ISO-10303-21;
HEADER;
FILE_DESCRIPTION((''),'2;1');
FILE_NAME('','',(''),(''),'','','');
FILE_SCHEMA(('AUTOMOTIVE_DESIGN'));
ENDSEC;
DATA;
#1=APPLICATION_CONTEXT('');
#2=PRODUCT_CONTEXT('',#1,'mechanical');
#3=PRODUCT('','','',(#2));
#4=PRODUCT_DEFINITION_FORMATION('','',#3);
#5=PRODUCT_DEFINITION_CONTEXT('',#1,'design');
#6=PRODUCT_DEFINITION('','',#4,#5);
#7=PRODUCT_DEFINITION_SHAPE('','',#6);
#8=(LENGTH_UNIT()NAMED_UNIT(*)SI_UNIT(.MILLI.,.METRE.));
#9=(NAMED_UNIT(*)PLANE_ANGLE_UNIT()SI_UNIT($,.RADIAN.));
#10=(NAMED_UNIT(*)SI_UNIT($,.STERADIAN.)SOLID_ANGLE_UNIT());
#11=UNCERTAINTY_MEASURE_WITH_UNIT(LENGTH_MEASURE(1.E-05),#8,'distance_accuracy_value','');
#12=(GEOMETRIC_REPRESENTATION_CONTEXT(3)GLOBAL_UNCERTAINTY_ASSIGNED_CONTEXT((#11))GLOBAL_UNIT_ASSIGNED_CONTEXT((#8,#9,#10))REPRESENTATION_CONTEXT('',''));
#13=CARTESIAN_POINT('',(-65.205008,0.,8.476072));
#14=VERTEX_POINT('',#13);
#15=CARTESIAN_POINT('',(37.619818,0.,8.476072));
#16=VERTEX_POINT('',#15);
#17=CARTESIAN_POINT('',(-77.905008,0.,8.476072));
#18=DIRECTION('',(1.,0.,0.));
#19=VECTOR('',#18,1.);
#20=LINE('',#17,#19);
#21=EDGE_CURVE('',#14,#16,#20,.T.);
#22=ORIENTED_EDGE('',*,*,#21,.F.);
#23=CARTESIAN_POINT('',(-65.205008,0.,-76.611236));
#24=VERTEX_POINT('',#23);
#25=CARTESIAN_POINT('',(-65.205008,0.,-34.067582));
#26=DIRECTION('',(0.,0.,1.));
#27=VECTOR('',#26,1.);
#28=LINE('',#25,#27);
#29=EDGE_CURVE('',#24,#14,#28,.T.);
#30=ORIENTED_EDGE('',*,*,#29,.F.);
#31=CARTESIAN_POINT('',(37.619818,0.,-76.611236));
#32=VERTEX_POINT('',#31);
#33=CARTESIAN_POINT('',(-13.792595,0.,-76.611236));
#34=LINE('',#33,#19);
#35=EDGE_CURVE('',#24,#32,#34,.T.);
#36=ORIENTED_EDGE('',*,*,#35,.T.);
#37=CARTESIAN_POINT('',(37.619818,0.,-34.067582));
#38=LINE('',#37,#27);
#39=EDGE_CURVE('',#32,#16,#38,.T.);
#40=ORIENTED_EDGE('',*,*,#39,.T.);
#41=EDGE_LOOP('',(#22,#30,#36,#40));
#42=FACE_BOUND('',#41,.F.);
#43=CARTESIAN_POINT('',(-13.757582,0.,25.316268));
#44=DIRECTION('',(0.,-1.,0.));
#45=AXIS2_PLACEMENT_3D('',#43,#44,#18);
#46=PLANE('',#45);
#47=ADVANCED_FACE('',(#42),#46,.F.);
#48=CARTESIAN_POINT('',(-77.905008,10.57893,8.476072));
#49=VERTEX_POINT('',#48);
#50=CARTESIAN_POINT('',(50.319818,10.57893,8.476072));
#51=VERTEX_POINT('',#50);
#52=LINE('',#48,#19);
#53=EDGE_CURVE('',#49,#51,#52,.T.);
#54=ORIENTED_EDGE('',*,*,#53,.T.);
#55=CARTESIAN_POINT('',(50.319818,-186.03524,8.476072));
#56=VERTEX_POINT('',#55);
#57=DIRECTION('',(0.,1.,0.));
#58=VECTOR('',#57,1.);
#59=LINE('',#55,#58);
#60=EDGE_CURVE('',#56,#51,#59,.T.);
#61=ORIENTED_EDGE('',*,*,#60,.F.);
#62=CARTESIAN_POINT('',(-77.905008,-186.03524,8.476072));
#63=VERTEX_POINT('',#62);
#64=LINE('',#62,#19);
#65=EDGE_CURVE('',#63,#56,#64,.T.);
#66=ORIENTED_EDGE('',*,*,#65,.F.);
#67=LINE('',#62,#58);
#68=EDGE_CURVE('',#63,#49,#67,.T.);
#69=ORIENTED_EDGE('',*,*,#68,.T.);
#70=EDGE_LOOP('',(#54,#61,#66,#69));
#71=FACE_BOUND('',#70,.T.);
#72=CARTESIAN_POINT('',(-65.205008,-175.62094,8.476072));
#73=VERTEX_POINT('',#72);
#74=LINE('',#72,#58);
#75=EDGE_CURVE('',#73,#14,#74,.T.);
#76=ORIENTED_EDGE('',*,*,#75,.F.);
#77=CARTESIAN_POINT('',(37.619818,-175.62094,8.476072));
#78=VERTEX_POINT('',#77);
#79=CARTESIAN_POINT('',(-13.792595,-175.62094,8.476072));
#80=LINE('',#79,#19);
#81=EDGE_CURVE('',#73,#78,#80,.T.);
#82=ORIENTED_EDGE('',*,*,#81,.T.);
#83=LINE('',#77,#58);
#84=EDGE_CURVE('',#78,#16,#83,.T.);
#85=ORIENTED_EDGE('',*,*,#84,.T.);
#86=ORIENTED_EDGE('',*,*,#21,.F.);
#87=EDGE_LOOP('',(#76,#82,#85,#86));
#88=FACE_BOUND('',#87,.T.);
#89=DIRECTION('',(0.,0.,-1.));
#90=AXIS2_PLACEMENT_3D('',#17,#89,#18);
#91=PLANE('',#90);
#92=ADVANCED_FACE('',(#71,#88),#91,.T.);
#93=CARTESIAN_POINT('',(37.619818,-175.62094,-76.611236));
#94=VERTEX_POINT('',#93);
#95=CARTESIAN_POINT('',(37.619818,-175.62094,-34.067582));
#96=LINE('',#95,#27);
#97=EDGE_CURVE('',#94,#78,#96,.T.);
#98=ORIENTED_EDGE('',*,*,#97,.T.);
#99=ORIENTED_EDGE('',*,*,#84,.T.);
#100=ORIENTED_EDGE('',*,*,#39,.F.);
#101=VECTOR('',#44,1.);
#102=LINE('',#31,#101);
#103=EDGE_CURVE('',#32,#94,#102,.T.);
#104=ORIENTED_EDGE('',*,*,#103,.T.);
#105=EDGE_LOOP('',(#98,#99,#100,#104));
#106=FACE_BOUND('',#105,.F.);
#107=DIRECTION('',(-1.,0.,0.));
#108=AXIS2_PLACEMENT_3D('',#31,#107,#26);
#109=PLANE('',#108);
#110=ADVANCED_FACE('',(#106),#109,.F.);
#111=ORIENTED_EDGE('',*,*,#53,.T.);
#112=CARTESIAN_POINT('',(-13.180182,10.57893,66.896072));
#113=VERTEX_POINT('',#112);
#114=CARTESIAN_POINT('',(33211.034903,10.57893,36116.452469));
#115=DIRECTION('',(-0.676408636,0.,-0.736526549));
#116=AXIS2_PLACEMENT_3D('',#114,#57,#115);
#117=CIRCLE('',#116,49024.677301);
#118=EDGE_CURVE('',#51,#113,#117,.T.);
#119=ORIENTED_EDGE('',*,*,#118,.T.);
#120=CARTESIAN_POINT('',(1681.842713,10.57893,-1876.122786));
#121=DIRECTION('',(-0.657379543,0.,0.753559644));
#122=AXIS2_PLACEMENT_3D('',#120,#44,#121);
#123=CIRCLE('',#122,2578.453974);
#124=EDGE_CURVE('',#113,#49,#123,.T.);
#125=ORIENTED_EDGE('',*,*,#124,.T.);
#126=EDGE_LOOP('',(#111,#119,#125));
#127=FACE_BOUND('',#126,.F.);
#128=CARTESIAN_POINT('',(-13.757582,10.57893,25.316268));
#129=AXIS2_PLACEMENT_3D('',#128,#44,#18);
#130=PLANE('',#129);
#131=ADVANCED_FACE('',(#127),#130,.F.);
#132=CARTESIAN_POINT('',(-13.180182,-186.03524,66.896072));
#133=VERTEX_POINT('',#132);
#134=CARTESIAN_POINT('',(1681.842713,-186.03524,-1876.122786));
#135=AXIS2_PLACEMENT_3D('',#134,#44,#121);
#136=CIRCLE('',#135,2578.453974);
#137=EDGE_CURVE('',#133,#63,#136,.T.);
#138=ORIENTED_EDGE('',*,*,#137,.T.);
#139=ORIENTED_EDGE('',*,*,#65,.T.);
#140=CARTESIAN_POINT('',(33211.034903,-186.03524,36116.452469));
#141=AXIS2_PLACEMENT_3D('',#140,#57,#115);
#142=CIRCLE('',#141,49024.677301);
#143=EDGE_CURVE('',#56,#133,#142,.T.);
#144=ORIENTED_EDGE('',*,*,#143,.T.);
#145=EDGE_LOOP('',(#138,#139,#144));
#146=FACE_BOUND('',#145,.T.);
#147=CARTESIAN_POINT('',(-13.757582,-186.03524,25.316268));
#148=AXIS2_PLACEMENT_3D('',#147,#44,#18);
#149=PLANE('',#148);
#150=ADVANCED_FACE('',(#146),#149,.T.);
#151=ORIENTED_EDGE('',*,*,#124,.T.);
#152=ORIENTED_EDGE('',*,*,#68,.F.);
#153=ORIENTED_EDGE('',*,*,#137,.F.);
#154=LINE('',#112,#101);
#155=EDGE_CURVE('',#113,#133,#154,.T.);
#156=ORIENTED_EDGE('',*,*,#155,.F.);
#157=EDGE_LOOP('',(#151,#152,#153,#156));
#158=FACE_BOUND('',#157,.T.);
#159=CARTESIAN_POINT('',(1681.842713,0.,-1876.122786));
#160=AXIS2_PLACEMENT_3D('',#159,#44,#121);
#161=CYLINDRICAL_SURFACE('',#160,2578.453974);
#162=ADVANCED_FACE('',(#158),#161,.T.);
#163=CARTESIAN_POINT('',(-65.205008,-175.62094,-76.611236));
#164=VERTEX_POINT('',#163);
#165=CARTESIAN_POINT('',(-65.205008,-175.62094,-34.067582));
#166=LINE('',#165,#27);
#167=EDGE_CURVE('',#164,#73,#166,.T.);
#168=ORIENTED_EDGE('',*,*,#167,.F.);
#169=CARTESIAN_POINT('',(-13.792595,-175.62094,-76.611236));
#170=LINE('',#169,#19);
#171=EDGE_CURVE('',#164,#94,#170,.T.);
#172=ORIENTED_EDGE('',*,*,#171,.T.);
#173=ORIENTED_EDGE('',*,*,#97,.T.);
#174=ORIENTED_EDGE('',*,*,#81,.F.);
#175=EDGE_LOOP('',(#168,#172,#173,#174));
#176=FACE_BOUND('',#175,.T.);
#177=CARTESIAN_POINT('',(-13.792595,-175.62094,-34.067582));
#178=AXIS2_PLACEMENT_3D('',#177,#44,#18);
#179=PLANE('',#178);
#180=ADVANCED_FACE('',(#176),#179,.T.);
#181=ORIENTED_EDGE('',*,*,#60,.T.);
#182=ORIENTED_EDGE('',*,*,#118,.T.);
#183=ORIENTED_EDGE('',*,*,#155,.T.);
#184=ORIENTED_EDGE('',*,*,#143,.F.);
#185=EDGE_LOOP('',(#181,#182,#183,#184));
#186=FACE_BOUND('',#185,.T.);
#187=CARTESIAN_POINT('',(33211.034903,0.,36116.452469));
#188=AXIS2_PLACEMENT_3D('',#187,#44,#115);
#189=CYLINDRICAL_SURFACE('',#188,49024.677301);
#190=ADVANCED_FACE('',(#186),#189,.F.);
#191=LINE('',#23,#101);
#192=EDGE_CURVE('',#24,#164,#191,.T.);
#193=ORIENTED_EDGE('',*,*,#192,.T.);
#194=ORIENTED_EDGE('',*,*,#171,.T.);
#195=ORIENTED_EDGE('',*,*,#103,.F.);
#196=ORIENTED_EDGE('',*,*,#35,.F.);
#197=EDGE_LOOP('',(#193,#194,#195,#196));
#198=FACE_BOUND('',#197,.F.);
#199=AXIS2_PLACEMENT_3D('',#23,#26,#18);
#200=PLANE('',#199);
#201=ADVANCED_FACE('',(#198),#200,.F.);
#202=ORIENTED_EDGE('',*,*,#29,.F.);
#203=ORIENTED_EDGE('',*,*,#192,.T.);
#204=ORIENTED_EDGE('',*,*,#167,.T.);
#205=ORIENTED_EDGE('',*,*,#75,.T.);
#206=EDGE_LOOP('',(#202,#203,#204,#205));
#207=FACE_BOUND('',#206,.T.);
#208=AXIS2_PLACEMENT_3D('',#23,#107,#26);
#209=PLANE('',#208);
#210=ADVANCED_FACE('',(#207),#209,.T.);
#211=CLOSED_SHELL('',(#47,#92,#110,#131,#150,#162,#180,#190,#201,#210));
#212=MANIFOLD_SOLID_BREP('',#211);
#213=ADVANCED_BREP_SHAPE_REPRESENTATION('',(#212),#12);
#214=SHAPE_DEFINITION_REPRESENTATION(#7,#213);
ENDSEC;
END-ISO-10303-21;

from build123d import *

# Parameters (mm, degrees)
F0_W          = 102.824826
F0_H          = 85.087308
F2_DEPTH      = 175.62094
F3_DEPTH      = 186.03524
F3_DEPTH_BACK = 10.57893
F4_DEPTH      = 63.5


with BuildPart() as f2:
    # F0 (on Front) → F2 (new body)
    with BuildSketch(Plane.XZ):
        with Locations((-13.792595, -34.067582)):
            Rectangle(F0_W, F0_H)
    extrude(amount=F2_DEPTH)

    # F1 (on Front) → F3 (join, two sides)
    with BuildSketch(Plane.XZ) as f3_sk:
        with BuildLine():
            ThreePointArc((50.319818, 8.476072), (18.556965, 37.672102), (-13.180182, 66.896072))
            ThreePointArc((-13.180182, 66.896072), (-45.789547, 37.959676), (-77.905008, 8.476072))
            Line((-77.905008, 8.476072), (50.319818, 8.476072))
        make_face()
    extrude(amount=F3_DEPTH)
    extrude(f3_sk.sketch, amount=-F3_DEPTH_BACK)

    # F0 (on Front) → F4 (join)
    with BuildSketch(Plane.XZ):
        with Locations((-13.792595, -34.067582)):
            Rectangle(F0_W, F0_H)
    extrude(amount=F4_DEPTH)


solid = f2.part
